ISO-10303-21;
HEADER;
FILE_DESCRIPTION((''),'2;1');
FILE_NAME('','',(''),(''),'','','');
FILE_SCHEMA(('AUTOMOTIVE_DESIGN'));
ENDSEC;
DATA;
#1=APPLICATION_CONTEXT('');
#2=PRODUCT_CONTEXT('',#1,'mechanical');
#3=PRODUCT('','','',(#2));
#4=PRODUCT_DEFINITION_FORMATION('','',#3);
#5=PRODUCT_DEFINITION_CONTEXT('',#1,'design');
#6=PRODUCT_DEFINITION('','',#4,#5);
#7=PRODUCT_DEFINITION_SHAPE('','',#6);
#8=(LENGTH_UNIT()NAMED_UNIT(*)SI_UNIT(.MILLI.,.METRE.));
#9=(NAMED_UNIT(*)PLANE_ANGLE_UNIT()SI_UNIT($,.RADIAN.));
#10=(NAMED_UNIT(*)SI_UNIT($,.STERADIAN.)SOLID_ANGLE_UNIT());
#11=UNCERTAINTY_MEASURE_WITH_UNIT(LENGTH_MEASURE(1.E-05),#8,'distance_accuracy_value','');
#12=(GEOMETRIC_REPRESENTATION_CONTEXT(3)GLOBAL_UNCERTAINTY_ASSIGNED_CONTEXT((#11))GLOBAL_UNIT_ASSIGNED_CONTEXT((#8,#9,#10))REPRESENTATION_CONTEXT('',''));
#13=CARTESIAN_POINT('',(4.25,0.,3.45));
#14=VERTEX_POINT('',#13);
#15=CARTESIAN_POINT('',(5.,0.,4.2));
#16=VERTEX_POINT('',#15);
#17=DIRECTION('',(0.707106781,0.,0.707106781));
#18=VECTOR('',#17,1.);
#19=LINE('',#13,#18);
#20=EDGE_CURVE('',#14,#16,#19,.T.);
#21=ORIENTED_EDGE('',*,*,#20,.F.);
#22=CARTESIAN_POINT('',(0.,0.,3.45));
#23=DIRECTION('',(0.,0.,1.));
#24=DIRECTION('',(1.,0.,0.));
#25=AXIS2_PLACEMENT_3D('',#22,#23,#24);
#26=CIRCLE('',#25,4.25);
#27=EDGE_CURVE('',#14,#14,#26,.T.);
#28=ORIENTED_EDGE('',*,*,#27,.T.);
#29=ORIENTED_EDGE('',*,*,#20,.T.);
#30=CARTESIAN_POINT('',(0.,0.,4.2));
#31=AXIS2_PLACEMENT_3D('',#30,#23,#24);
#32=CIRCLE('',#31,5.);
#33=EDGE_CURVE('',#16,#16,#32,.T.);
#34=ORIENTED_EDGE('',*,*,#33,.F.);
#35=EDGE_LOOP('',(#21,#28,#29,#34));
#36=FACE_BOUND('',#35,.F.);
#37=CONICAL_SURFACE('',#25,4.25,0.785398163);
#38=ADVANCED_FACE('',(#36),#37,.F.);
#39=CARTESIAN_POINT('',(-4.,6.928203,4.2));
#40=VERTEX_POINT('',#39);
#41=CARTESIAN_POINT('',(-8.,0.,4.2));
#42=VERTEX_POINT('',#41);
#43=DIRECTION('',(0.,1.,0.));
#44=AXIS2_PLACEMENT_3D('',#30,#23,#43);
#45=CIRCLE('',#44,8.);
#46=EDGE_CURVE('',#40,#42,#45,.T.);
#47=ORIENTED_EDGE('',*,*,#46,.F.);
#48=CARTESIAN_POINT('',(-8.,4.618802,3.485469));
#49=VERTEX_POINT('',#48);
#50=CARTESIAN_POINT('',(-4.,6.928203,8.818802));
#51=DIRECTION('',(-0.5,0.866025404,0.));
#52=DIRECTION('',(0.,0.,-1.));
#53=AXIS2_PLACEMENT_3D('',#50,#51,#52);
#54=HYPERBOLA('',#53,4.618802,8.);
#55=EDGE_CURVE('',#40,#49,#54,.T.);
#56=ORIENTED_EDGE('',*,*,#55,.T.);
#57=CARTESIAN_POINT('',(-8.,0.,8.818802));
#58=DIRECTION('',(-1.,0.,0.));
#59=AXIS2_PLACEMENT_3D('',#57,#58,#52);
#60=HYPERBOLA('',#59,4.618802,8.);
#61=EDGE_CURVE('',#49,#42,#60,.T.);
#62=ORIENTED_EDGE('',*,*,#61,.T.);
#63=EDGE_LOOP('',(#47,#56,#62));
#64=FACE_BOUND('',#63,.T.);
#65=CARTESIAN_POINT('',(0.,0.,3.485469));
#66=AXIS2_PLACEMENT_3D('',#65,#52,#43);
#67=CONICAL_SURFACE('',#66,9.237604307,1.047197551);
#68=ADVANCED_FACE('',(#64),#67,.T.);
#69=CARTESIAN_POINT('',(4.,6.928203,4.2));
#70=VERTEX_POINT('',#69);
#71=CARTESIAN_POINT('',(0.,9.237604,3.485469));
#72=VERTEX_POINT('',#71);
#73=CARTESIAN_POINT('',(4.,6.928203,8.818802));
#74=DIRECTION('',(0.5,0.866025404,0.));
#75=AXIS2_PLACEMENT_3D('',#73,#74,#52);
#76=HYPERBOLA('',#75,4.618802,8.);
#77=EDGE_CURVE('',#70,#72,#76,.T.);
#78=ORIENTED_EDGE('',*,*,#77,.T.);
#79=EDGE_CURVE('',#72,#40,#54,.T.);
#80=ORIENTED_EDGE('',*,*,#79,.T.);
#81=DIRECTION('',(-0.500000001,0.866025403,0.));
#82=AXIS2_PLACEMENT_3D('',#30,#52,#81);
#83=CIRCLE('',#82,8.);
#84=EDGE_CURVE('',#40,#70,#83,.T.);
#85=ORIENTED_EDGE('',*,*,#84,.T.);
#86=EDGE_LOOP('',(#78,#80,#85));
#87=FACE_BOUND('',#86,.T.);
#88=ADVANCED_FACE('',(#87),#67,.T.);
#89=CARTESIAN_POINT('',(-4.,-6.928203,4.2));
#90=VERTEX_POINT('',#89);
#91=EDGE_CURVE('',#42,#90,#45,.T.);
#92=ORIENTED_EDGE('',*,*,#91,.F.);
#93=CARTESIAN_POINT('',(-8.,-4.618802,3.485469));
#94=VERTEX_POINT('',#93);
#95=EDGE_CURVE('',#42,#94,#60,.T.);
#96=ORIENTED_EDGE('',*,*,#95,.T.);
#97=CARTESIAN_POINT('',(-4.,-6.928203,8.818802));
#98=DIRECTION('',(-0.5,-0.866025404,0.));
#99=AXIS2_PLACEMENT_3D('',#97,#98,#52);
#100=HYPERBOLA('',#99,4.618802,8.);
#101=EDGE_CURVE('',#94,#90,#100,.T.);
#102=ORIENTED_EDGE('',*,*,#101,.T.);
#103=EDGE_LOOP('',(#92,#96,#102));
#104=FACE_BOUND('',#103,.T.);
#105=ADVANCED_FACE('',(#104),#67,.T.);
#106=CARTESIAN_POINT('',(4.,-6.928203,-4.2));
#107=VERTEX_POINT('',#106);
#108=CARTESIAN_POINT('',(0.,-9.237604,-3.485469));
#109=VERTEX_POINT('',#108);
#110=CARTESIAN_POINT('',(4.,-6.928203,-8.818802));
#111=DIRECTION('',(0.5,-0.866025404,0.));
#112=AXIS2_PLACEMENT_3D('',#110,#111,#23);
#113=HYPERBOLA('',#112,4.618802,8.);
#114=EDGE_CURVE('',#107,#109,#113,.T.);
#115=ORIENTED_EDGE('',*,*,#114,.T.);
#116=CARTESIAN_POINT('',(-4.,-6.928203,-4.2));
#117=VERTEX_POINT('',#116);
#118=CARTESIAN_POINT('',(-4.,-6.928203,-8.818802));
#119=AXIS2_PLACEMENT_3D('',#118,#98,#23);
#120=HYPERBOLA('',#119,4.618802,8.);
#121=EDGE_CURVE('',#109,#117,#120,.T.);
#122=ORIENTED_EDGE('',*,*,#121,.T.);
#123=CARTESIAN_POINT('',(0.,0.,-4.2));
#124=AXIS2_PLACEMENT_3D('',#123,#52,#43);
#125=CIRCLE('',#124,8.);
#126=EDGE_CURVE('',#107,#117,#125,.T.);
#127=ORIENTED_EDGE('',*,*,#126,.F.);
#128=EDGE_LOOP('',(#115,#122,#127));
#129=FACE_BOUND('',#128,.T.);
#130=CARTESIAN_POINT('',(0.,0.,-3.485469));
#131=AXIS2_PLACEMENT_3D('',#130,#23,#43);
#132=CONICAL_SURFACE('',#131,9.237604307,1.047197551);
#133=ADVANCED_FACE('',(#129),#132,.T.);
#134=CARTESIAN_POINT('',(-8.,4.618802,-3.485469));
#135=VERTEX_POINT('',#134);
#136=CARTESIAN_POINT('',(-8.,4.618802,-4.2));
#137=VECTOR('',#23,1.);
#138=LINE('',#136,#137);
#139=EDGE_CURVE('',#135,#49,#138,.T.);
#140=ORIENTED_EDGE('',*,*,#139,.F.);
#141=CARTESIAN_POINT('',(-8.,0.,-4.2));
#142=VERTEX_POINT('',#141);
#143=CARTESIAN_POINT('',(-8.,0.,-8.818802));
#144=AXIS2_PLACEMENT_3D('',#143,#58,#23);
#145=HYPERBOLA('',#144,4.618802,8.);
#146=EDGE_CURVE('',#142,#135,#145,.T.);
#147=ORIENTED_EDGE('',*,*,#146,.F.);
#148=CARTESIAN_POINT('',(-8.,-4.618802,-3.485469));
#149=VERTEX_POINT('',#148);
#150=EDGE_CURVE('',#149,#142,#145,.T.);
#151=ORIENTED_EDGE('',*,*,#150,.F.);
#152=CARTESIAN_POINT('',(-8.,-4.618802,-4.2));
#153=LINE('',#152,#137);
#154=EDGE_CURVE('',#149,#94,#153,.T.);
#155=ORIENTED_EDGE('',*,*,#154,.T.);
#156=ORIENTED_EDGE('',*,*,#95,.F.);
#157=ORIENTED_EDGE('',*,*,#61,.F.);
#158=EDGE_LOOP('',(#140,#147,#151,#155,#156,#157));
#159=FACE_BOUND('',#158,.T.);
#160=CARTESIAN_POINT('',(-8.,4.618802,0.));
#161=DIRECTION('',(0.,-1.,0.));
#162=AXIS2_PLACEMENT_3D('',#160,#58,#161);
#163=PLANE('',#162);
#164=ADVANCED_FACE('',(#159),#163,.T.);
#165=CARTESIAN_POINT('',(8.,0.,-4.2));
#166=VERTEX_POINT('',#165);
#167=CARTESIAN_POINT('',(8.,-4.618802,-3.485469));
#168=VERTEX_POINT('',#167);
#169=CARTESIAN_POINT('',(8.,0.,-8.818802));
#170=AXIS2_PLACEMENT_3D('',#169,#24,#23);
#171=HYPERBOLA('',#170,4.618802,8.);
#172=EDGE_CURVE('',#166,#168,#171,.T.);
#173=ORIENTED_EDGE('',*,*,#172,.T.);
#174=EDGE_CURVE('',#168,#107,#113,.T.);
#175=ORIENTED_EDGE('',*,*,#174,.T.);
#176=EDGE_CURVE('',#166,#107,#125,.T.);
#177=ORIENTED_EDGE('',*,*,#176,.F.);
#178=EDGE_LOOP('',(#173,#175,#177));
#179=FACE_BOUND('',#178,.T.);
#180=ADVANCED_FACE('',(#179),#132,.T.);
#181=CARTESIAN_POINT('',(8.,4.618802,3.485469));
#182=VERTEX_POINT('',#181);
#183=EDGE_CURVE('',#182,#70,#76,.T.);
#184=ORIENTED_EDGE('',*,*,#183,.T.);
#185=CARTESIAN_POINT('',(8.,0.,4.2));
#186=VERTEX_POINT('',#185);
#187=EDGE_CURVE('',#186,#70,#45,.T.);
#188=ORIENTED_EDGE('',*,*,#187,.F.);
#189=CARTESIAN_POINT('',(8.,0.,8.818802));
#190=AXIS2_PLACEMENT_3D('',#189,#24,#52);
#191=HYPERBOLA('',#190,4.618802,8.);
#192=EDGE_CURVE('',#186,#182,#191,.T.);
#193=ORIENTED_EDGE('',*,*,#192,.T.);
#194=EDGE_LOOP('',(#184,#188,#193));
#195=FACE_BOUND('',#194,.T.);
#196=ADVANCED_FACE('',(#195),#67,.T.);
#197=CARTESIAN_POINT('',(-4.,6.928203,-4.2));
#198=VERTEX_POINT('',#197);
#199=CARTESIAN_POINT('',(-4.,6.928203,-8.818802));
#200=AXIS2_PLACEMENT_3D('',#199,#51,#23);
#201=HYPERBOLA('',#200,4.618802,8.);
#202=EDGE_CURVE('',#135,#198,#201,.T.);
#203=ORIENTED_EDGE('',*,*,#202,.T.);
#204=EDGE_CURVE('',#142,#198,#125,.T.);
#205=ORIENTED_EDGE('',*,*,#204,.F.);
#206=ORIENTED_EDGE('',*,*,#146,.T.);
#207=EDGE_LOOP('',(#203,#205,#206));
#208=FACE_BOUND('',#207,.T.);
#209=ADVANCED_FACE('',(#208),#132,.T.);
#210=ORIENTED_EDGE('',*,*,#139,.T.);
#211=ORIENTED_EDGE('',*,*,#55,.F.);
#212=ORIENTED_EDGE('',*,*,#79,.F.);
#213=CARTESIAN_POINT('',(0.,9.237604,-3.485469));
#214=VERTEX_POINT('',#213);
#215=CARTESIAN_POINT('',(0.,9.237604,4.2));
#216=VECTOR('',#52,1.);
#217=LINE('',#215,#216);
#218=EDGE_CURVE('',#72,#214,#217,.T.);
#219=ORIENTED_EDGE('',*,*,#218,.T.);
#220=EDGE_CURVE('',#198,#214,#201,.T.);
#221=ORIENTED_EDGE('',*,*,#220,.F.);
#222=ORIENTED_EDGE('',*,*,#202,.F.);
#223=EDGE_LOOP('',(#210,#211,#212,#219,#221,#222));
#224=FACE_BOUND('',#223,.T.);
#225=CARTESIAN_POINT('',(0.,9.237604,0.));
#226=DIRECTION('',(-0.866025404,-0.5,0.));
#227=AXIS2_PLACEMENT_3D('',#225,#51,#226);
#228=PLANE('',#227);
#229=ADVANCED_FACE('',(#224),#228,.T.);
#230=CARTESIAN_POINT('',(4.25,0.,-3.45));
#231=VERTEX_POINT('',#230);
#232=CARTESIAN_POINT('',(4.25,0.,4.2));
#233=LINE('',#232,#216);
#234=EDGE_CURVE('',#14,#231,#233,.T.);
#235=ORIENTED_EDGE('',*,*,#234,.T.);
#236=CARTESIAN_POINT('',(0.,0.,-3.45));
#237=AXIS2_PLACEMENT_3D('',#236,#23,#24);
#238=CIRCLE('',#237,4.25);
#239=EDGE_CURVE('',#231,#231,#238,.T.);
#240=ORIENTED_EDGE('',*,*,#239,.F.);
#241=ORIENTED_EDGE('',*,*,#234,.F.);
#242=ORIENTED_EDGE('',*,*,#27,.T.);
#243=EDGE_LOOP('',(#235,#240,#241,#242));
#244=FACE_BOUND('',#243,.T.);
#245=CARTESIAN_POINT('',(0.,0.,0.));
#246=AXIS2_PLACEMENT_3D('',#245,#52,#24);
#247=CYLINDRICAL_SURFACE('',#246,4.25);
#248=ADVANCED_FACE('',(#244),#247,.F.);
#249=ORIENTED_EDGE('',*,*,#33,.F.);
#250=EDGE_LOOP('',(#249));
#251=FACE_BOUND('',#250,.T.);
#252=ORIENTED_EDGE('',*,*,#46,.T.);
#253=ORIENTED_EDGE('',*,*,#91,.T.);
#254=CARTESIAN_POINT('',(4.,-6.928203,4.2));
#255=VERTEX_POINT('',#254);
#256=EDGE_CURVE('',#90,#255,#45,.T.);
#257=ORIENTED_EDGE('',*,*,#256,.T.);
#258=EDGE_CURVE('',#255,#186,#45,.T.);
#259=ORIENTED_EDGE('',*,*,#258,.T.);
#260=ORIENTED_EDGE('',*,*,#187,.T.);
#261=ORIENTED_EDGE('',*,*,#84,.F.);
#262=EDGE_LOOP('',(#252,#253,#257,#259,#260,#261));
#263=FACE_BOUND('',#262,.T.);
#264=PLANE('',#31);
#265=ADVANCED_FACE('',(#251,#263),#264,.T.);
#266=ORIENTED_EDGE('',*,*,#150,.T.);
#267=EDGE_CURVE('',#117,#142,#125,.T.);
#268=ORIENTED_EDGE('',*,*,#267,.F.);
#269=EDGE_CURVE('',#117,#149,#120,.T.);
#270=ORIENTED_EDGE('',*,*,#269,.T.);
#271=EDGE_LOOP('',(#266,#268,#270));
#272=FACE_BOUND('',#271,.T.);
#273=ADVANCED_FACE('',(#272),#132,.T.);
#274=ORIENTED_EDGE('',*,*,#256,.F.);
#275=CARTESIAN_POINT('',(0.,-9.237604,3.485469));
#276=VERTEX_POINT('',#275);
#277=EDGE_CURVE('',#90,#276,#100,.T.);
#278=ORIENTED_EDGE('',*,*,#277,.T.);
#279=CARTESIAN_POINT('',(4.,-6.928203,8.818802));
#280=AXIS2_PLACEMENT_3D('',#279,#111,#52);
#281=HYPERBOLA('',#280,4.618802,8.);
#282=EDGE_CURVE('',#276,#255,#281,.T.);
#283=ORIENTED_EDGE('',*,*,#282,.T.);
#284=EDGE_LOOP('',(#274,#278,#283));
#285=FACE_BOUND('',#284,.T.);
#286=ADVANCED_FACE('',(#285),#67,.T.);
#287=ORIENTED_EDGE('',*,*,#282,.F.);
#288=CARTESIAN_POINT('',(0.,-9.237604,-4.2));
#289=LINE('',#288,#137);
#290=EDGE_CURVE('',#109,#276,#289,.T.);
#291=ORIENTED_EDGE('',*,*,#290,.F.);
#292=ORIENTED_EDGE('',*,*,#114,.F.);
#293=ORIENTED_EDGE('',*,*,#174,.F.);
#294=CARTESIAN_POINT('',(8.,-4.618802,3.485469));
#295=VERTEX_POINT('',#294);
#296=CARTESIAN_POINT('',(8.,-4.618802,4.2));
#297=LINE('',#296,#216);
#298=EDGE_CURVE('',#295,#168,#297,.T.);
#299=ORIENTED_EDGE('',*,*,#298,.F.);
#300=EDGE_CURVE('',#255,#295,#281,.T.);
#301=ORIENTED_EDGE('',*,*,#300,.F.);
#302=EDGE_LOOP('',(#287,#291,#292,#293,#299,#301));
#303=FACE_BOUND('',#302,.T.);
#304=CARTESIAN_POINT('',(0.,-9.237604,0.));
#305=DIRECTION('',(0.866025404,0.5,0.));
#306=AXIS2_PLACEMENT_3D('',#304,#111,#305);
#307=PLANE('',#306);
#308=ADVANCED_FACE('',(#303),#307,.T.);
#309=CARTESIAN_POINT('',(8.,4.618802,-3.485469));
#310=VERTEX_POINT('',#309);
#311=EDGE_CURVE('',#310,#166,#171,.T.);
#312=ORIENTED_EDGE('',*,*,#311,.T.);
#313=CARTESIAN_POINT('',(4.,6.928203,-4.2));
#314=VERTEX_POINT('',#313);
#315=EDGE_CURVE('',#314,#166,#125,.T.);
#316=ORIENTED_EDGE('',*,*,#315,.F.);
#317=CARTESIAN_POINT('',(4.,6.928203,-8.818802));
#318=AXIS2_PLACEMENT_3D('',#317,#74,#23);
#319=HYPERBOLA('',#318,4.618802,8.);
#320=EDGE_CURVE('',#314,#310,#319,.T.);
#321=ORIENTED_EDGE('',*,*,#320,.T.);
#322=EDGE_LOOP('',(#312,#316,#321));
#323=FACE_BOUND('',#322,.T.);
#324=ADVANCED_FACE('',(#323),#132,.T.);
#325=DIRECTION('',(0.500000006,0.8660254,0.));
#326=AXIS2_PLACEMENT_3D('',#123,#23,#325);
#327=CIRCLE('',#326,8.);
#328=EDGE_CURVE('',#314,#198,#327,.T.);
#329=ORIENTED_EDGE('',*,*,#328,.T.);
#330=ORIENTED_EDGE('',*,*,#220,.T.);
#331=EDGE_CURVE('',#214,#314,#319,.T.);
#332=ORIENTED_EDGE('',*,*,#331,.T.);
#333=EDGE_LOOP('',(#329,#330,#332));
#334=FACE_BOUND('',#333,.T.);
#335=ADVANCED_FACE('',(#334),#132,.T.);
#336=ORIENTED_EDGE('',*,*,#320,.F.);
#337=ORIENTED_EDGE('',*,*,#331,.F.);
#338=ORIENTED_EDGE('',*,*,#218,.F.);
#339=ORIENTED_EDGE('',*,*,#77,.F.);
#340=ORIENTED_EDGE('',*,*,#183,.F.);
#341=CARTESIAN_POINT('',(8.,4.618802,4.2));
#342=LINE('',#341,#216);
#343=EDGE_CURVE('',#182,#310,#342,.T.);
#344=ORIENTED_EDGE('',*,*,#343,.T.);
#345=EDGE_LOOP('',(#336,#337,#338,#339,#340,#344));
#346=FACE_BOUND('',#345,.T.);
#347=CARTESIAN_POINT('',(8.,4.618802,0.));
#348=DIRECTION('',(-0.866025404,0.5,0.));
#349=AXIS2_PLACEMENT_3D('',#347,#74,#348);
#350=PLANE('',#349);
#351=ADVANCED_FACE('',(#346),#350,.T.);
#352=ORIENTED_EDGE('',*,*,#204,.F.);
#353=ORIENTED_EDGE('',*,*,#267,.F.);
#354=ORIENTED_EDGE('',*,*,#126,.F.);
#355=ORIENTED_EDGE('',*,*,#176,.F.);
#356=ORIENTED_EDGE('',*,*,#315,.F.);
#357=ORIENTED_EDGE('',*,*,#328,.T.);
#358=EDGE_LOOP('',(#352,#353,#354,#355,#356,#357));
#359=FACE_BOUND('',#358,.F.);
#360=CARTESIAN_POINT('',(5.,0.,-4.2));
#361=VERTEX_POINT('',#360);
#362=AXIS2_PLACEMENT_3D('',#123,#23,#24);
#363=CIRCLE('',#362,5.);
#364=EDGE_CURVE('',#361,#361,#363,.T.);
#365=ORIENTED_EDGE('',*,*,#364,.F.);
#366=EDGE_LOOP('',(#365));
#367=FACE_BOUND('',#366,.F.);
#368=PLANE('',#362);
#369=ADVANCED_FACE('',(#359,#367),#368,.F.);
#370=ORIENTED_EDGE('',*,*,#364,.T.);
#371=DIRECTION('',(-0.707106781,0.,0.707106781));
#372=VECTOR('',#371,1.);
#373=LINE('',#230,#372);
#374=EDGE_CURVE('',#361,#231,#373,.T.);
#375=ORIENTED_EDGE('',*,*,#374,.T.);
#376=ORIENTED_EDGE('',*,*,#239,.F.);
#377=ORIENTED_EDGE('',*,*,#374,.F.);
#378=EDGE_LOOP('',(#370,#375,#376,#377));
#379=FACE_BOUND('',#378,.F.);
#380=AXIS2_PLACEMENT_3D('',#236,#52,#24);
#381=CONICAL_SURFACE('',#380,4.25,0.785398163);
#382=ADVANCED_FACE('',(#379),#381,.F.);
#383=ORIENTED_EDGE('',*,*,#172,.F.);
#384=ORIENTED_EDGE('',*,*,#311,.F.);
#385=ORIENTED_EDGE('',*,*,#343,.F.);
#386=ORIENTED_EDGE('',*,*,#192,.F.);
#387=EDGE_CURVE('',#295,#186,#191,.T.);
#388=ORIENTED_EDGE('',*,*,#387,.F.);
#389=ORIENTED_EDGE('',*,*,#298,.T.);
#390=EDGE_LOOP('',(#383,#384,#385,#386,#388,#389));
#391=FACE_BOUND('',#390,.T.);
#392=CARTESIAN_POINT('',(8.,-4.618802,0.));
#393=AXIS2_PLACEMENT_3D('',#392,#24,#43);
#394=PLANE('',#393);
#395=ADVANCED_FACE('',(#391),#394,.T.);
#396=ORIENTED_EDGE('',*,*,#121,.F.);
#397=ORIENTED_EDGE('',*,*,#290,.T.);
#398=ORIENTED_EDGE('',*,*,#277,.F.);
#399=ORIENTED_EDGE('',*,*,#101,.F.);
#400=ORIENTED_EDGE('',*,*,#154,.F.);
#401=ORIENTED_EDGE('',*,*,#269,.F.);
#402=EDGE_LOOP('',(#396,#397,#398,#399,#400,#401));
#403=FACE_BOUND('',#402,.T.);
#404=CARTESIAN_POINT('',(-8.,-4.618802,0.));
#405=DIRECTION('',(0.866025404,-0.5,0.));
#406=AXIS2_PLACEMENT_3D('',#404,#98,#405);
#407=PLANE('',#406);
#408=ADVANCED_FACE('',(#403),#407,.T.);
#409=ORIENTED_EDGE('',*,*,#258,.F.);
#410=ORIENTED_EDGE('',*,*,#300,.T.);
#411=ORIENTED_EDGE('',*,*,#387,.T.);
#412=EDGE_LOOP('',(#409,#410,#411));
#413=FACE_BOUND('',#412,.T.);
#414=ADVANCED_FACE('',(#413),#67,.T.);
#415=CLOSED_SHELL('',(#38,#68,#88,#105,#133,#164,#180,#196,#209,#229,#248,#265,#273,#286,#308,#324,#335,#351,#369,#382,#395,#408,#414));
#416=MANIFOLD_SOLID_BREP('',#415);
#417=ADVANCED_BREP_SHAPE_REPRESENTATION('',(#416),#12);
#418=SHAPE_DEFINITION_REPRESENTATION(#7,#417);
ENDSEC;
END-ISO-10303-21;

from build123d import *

# Parameters (mm, degrees)
SKETCH1_R           = 4.25
BOSS_EXTRUDE1_DEPTH = 4.2
CHAMFER1_SIZE       = 0.75


with BuildPart() as part:
    # Sketch1 → Boss-Extrude1 (new, symmetric)
    with BuildSketch(Plane.XY):
        Polygon((0, 9.237604307), (-8, 4.618802154), (-8, -4.618802154), (0, -9.237604307), (8, -4.618802154), (8, 4.618802154), align=None)
        Circle(SKETCH1_R, mode=Mode.SUBTRACT)
    extrude(amount=BOSS_EXTRUDE1_DEPTH, both=True)

    # Sketch4 → Cut-Revolve5 (revolve, cut)
    with BuildSketch(Plane(origin=(0, 0, 0), x_dir=(0, 0, -1), z_dir=(1, 0, 0))):
        Polygon((3.48546882, 9.237604307), (4.2, 8), (4.2, 9.237604307), align=None)
    revolve(axis=Axis((0, 0, 0), (0, 0, -1)), mode=Mode.SUBTRACT)

    # Sketch5 → Cut-Revolve6 (revolve, cut)
    with BuildSketch(Plane(origin=(0, 0, 0), x_dir=(0, 0, -1), z_dir=(1, 0, 0))):
        Polygon((-3.48546882, 9.237604307), (-4.2, 8), (-4.2, 9.237604307), align=None)
    revolve(axis=Axis((0, 0, 0), (0, 0, 1)), mode=Mode.SUBTRACT)

    # Chamfer1
    chamfer1_edges = [part.edges().sort_by_distance(p)[0] for p in [
        (-4.25, 0, -4.2),
        (-4.25, 0, 4.2),
    ]]
    chamfer(chamfer1_edges, length=CHAMFER1_SIZE)


solid = part.part
